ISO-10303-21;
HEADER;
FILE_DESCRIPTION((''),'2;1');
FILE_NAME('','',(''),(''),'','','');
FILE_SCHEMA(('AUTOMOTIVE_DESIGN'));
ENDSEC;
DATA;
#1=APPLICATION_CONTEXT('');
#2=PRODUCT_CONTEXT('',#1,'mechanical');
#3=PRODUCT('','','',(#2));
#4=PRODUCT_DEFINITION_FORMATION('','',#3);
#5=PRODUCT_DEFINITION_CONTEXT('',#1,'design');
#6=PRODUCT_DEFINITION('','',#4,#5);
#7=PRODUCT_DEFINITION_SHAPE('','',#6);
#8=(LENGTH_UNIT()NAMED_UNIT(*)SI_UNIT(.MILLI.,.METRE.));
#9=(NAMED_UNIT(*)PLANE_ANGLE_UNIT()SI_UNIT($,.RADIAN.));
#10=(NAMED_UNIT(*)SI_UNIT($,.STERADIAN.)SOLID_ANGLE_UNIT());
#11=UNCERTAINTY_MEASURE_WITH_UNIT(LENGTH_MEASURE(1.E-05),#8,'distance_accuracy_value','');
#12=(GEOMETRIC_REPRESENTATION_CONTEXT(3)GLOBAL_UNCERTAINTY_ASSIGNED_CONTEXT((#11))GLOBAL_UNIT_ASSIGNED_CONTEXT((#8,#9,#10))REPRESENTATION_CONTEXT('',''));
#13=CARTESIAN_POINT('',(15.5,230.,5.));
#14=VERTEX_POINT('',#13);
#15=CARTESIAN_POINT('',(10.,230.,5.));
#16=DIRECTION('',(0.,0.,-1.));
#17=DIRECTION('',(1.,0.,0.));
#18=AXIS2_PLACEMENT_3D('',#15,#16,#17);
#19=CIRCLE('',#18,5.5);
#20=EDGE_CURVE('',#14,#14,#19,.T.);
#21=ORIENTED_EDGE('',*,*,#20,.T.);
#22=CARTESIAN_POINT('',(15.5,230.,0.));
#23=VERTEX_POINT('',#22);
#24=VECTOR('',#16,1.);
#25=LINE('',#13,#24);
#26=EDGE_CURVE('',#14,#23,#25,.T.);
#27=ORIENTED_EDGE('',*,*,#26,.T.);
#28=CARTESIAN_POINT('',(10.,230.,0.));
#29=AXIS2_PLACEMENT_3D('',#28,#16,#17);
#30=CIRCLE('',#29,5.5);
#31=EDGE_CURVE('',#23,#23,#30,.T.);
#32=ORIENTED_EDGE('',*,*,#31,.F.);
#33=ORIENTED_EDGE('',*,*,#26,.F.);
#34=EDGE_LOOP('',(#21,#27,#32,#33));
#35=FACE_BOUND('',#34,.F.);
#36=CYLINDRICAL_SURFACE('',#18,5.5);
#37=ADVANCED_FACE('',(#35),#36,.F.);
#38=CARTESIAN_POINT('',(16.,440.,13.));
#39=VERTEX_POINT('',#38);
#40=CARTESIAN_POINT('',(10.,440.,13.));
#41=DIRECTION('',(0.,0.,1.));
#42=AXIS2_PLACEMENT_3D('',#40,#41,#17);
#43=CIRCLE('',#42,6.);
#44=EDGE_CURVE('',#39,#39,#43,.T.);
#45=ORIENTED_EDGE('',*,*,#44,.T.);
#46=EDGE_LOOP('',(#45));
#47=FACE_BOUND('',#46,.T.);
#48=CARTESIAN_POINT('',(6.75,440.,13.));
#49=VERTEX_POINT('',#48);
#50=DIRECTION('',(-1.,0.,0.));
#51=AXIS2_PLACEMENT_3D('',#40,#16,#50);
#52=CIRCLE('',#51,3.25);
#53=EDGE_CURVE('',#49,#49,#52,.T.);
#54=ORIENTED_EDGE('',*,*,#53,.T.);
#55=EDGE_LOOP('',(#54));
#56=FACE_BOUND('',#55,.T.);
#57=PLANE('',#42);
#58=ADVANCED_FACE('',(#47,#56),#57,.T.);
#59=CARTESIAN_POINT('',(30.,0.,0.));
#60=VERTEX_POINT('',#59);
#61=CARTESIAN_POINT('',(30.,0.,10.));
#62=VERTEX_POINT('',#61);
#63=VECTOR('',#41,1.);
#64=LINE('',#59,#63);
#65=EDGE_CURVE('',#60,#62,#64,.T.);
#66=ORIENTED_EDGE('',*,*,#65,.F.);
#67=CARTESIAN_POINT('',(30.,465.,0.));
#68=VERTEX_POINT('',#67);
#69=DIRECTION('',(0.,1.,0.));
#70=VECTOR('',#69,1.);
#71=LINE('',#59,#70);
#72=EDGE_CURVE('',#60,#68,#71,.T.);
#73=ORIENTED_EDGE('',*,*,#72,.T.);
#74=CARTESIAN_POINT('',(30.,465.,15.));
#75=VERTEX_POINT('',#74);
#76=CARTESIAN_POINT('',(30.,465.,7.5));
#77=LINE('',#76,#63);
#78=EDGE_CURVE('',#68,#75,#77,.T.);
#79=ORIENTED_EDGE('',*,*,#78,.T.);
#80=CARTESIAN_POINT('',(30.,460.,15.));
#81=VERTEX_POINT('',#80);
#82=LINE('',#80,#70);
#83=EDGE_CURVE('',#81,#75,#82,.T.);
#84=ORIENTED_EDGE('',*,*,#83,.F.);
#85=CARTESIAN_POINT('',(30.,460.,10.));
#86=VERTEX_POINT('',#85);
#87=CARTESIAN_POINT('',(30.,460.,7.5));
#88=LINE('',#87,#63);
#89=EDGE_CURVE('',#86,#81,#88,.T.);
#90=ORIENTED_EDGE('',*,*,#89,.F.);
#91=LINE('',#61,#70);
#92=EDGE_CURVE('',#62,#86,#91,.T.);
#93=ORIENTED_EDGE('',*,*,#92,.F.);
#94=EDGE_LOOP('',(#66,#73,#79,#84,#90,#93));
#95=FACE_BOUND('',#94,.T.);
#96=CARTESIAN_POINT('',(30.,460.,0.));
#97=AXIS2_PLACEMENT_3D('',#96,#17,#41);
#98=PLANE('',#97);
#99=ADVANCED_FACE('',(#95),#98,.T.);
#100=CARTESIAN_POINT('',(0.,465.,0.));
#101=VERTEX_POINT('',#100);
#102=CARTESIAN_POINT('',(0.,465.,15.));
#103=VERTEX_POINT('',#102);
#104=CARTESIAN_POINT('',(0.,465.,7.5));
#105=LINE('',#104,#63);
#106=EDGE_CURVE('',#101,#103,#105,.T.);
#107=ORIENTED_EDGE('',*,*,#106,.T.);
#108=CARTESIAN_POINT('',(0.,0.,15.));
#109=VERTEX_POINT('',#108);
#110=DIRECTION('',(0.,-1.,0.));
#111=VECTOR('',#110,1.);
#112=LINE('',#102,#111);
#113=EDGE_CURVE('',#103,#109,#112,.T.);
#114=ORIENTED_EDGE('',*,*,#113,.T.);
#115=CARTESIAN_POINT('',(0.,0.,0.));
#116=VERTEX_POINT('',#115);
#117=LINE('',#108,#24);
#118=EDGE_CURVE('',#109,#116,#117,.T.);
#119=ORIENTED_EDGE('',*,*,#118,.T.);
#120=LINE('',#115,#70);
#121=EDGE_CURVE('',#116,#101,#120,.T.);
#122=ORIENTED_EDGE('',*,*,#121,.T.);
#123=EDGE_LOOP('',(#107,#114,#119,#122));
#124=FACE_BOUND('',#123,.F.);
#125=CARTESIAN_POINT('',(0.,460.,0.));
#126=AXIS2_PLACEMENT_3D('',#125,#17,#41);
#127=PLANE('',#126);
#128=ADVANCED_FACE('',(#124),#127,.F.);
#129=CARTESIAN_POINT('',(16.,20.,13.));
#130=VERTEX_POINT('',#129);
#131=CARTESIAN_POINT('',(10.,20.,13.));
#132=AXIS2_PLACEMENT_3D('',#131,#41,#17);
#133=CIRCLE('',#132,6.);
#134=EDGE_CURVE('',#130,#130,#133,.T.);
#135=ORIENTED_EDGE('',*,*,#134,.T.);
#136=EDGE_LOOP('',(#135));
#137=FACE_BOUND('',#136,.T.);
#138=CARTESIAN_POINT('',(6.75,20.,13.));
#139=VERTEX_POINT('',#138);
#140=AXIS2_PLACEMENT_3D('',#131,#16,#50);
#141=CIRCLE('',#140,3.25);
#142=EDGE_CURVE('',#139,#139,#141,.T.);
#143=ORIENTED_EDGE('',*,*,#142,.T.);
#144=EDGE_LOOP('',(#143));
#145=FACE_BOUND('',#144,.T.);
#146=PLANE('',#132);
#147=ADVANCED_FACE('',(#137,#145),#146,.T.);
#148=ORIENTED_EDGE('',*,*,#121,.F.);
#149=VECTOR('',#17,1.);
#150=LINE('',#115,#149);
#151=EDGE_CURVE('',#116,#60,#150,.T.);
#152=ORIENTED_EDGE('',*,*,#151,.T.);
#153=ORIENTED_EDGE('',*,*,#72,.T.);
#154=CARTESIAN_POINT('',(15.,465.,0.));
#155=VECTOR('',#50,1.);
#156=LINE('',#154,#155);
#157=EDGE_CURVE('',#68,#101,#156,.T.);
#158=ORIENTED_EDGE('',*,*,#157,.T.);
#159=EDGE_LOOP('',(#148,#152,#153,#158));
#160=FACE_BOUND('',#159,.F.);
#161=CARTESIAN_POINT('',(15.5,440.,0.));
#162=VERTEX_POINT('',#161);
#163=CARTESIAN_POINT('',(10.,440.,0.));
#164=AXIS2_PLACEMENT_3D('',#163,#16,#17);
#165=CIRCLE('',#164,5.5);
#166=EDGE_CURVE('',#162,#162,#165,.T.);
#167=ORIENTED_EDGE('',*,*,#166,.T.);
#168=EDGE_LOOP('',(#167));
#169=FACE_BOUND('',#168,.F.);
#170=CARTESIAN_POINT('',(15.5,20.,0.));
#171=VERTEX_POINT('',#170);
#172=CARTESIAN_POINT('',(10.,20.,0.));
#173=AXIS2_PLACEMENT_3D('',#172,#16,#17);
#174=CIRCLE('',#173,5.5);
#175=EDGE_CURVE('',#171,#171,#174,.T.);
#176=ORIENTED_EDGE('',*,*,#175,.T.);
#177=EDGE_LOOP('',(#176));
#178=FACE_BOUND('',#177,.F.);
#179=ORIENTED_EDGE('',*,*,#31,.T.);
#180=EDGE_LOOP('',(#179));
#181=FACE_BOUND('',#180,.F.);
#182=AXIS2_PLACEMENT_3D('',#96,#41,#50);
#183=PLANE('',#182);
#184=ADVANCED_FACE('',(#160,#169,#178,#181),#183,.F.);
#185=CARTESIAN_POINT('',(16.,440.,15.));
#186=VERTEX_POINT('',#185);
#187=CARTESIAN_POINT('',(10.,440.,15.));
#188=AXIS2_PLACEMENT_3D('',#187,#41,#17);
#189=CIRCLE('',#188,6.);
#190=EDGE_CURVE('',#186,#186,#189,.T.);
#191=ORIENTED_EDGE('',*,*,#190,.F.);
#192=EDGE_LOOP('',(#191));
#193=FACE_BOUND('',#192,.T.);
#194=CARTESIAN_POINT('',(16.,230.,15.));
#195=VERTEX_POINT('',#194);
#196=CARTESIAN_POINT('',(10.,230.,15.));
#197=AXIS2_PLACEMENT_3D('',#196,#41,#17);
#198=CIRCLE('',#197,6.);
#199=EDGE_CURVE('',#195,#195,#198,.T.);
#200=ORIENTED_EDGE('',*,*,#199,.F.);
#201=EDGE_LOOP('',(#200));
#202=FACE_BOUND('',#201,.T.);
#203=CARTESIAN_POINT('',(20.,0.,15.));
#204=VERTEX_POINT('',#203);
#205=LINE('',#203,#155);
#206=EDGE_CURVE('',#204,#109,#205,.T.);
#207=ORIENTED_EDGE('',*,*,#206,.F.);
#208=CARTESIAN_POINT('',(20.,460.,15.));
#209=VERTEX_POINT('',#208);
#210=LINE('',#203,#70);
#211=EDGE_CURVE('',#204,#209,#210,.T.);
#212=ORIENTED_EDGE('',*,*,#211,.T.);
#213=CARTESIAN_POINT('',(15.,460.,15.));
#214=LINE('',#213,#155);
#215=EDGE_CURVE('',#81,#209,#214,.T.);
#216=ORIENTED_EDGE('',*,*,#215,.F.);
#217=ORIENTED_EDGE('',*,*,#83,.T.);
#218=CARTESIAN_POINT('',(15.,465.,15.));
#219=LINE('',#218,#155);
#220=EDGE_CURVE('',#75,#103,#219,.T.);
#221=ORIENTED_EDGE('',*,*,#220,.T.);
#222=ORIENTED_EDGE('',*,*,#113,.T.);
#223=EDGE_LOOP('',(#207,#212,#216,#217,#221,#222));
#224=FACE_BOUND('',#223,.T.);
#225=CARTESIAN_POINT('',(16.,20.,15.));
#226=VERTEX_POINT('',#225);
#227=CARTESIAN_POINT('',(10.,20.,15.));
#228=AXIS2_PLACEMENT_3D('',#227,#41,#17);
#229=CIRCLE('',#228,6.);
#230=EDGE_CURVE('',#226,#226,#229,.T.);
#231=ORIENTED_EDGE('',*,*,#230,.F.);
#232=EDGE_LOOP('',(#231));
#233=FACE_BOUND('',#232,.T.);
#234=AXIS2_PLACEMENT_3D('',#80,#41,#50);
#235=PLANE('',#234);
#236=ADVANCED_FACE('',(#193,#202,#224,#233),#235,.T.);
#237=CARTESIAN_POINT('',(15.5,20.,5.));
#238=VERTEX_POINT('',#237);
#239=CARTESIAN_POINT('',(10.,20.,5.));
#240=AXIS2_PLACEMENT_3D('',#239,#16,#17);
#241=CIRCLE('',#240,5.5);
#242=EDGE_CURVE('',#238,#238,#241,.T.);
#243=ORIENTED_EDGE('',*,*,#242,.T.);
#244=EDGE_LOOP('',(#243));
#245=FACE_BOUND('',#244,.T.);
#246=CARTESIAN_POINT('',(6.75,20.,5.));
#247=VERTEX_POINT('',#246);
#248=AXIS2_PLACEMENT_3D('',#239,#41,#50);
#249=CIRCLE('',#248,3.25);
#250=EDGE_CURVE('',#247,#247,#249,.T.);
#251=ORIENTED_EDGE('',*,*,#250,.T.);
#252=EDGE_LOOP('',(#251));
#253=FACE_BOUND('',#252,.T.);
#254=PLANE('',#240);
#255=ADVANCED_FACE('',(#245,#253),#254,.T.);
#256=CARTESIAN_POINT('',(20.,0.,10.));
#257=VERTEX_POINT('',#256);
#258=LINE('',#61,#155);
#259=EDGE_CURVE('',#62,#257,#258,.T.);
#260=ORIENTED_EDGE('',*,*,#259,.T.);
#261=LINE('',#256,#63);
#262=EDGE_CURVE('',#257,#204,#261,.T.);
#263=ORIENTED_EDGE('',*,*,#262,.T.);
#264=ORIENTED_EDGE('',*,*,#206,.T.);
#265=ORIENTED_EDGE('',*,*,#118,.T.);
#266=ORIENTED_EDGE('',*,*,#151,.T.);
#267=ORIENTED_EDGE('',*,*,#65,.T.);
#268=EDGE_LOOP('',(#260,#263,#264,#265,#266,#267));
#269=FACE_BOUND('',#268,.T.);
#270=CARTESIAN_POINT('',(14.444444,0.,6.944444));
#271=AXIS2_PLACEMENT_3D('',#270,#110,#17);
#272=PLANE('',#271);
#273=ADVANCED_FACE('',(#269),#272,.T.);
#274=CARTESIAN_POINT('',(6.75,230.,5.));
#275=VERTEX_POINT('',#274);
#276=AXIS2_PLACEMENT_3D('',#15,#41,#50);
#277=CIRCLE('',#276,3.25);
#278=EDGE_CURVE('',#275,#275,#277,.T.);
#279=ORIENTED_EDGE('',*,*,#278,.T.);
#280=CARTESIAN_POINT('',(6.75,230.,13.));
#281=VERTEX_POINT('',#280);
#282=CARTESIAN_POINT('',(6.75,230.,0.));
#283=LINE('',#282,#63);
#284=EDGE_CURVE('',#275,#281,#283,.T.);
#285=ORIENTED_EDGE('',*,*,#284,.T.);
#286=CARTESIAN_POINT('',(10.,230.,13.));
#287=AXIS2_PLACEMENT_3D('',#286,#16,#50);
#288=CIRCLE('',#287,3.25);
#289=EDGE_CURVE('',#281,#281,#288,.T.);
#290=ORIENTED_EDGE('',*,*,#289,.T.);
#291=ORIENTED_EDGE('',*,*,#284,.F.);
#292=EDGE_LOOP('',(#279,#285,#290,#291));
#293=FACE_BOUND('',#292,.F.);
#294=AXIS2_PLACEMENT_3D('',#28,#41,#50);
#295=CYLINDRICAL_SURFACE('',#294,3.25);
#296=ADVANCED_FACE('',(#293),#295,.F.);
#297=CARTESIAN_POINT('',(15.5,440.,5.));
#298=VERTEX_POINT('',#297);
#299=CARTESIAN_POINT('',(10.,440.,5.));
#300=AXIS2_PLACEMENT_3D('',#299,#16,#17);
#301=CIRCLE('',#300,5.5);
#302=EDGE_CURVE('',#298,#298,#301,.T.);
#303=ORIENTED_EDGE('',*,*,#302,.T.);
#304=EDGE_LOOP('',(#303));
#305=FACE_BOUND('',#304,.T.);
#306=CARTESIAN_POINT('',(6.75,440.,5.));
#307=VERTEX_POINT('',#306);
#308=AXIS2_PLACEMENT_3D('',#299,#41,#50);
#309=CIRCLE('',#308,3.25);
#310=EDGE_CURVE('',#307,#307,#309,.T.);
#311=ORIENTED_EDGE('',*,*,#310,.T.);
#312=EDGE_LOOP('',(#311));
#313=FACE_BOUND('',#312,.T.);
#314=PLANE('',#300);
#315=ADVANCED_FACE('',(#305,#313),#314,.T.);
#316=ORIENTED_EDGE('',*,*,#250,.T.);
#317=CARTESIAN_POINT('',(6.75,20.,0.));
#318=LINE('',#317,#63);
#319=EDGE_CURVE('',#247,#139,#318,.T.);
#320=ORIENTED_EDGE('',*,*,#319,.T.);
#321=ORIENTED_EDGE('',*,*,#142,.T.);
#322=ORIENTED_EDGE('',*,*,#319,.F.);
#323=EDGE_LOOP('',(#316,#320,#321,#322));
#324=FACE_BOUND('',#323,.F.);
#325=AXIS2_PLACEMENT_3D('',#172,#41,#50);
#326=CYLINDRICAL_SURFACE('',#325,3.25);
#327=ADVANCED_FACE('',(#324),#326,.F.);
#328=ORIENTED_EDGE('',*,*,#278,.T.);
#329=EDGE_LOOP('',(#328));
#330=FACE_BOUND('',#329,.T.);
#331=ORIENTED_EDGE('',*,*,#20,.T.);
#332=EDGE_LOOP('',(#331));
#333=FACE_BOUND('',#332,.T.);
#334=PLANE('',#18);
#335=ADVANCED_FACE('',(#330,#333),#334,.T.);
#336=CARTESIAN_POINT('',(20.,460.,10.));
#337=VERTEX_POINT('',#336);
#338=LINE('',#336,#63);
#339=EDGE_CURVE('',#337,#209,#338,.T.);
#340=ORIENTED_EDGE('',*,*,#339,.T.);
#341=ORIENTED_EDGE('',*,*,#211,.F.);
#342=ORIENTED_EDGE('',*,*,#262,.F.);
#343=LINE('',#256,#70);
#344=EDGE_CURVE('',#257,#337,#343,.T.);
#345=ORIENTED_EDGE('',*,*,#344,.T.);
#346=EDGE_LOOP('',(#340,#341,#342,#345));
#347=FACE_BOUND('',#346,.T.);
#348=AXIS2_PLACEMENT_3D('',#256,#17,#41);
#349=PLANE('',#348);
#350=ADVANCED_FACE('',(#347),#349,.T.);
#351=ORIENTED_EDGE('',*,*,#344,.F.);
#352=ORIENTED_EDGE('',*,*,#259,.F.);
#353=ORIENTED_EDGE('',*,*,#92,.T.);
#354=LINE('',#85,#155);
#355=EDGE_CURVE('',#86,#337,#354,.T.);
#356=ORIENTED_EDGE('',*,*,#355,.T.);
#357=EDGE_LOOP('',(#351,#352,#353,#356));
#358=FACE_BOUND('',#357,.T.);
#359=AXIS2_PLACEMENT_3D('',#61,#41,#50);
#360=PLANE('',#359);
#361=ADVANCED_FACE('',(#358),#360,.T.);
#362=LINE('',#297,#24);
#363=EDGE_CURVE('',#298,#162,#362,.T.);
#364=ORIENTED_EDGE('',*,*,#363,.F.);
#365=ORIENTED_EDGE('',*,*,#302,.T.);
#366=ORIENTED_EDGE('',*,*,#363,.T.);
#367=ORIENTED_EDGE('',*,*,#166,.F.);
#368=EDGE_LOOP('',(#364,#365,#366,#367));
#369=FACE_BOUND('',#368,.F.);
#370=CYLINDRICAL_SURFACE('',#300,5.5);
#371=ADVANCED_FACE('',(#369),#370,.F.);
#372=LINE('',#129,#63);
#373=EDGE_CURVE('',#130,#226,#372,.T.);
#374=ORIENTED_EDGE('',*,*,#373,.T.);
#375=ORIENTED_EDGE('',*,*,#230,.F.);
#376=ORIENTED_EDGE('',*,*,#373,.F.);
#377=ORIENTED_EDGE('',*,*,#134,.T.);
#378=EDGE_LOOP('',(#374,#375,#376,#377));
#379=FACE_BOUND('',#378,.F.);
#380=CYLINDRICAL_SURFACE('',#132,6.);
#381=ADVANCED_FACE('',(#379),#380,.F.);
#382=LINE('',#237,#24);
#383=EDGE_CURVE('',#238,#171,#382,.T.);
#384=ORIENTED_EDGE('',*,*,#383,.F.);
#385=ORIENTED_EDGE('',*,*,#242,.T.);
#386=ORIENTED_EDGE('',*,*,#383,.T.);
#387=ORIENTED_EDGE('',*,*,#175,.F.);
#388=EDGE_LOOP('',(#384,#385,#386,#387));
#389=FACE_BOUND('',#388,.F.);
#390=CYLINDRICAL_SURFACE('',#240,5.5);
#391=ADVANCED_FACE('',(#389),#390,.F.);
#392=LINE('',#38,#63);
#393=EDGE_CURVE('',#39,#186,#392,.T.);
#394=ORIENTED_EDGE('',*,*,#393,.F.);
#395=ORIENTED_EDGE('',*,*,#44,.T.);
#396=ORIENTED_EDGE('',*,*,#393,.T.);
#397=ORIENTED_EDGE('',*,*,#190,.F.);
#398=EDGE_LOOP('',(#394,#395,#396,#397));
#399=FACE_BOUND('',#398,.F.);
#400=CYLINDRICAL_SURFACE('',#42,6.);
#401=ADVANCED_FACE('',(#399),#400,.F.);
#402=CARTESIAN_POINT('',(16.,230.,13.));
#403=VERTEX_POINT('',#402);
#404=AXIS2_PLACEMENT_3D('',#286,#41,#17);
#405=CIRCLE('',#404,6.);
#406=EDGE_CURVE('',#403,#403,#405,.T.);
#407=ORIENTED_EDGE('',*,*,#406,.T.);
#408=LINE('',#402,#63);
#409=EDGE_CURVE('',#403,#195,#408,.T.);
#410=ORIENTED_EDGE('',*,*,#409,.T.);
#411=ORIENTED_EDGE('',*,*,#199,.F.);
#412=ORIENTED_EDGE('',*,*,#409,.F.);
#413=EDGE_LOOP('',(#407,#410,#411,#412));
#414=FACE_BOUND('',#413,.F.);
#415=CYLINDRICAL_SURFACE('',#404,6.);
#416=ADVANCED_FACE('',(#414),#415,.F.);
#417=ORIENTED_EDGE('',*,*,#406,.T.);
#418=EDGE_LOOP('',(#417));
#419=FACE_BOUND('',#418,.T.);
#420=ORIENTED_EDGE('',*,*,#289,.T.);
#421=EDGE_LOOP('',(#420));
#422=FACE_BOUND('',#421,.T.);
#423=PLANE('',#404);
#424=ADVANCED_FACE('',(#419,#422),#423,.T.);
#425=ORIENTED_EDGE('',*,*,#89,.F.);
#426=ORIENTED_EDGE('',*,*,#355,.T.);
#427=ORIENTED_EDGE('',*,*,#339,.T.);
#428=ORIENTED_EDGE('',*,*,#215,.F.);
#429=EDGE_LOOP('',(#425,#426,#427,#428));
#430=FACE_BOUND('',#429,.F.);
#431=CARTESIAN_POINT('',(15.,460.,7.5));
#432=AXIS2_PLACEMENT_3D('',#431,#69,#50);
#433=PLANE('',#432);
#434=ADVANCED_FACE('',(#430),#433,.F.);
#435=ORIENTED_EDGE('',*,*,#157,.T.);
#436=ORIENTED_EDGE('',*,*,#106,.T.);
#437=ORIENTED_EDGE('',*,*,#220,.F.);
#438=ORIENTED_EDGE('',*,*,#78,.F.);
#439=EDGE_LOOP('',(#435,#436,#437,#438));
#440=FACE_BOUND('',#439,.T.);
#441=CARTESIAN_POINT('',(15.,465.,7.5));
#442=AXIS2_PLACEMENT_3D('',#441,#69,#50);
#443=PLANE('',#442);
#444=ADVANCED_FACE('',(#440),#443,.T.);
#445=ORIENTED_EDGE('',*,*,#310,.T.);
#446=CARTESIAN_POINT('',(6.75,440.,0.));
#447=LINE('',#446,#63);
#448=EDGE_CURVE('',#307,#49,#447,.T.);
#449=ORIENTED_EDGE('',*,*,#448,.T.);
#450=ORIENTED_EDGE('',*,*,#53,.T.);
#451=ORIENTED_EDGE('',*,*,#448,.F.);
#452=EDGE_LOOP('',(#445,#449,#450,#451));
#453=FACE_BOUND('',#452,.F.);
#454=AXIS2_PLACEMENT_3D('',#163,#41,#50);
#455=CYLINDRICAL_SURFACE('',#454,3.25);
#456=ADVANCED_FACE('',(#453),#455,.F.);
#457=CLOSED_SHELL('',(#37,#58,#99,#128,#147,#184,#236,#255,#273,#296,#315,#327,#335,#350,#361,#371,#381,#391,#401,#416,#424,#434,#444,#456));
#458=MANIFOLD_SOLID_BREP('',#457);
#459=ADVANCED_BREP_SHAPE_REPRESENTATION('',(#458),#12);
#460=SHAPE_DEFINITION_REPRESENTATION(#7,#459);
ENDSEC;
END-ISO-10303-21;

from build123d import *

# Parameters (mm, degrees)
F1_DEPTH       = 460
F3_D           = 6.5
F3_DEPTH       = 15
F3_CBORE_D     = 11
F3_CBORE_DEPTH = 5
F5_D           = 6.5
F5_DEPTH       = 15
F5_CBORE_D     = 12
F5_CBORE_DEPTH = 2
F6_W           = 30
F6_H           = 15
F7_DEPTH       = 5


with BuildPart() as f1:
    # F0 (on Front) → F1 (new body)
    with BuildSketch(Plane.XZ):
        Polygon((0, 15), (0, 0), (30, 0), (30, 10), (20, 10), (20, 15), align=None)
    extrude(amount=-F1_DEPTH)

    # F3
    with Locations(Plane(origin=(0, 0, 0), x_dir=(1, 0, 0), z_dir=(0, 0, -1))):
        with Locations((10, -440), (10, -230), (10, -20)):
            CounterBoreHole(F3_D / 2, F3_CBORE_D / 2, F3_CBORE_DEPTH, depth=F3_DEPTH)

    # F5
    with Locations(Plane.XY.offset(15)):
        with Locations((10, 440), (10, 230), (10, 20)):
            CounterBoreHole(F5_D / 2, F5_CBORE_D / 2, F5_CBORE_DEPTH, depth=F5_DEPTH)

    # F6 (on face) → F7 (join)
    with BuildSketch(Plane(origin=(0, 460, 0), x_dir=(-1, 0, 0), z_dir=(0, 1, 0))):
        with Locations((-15, 7.5)):
            Rectangle(F6_W, F6_H)
    extrude(amount=F7_DEPTH)


solid = f1.part
